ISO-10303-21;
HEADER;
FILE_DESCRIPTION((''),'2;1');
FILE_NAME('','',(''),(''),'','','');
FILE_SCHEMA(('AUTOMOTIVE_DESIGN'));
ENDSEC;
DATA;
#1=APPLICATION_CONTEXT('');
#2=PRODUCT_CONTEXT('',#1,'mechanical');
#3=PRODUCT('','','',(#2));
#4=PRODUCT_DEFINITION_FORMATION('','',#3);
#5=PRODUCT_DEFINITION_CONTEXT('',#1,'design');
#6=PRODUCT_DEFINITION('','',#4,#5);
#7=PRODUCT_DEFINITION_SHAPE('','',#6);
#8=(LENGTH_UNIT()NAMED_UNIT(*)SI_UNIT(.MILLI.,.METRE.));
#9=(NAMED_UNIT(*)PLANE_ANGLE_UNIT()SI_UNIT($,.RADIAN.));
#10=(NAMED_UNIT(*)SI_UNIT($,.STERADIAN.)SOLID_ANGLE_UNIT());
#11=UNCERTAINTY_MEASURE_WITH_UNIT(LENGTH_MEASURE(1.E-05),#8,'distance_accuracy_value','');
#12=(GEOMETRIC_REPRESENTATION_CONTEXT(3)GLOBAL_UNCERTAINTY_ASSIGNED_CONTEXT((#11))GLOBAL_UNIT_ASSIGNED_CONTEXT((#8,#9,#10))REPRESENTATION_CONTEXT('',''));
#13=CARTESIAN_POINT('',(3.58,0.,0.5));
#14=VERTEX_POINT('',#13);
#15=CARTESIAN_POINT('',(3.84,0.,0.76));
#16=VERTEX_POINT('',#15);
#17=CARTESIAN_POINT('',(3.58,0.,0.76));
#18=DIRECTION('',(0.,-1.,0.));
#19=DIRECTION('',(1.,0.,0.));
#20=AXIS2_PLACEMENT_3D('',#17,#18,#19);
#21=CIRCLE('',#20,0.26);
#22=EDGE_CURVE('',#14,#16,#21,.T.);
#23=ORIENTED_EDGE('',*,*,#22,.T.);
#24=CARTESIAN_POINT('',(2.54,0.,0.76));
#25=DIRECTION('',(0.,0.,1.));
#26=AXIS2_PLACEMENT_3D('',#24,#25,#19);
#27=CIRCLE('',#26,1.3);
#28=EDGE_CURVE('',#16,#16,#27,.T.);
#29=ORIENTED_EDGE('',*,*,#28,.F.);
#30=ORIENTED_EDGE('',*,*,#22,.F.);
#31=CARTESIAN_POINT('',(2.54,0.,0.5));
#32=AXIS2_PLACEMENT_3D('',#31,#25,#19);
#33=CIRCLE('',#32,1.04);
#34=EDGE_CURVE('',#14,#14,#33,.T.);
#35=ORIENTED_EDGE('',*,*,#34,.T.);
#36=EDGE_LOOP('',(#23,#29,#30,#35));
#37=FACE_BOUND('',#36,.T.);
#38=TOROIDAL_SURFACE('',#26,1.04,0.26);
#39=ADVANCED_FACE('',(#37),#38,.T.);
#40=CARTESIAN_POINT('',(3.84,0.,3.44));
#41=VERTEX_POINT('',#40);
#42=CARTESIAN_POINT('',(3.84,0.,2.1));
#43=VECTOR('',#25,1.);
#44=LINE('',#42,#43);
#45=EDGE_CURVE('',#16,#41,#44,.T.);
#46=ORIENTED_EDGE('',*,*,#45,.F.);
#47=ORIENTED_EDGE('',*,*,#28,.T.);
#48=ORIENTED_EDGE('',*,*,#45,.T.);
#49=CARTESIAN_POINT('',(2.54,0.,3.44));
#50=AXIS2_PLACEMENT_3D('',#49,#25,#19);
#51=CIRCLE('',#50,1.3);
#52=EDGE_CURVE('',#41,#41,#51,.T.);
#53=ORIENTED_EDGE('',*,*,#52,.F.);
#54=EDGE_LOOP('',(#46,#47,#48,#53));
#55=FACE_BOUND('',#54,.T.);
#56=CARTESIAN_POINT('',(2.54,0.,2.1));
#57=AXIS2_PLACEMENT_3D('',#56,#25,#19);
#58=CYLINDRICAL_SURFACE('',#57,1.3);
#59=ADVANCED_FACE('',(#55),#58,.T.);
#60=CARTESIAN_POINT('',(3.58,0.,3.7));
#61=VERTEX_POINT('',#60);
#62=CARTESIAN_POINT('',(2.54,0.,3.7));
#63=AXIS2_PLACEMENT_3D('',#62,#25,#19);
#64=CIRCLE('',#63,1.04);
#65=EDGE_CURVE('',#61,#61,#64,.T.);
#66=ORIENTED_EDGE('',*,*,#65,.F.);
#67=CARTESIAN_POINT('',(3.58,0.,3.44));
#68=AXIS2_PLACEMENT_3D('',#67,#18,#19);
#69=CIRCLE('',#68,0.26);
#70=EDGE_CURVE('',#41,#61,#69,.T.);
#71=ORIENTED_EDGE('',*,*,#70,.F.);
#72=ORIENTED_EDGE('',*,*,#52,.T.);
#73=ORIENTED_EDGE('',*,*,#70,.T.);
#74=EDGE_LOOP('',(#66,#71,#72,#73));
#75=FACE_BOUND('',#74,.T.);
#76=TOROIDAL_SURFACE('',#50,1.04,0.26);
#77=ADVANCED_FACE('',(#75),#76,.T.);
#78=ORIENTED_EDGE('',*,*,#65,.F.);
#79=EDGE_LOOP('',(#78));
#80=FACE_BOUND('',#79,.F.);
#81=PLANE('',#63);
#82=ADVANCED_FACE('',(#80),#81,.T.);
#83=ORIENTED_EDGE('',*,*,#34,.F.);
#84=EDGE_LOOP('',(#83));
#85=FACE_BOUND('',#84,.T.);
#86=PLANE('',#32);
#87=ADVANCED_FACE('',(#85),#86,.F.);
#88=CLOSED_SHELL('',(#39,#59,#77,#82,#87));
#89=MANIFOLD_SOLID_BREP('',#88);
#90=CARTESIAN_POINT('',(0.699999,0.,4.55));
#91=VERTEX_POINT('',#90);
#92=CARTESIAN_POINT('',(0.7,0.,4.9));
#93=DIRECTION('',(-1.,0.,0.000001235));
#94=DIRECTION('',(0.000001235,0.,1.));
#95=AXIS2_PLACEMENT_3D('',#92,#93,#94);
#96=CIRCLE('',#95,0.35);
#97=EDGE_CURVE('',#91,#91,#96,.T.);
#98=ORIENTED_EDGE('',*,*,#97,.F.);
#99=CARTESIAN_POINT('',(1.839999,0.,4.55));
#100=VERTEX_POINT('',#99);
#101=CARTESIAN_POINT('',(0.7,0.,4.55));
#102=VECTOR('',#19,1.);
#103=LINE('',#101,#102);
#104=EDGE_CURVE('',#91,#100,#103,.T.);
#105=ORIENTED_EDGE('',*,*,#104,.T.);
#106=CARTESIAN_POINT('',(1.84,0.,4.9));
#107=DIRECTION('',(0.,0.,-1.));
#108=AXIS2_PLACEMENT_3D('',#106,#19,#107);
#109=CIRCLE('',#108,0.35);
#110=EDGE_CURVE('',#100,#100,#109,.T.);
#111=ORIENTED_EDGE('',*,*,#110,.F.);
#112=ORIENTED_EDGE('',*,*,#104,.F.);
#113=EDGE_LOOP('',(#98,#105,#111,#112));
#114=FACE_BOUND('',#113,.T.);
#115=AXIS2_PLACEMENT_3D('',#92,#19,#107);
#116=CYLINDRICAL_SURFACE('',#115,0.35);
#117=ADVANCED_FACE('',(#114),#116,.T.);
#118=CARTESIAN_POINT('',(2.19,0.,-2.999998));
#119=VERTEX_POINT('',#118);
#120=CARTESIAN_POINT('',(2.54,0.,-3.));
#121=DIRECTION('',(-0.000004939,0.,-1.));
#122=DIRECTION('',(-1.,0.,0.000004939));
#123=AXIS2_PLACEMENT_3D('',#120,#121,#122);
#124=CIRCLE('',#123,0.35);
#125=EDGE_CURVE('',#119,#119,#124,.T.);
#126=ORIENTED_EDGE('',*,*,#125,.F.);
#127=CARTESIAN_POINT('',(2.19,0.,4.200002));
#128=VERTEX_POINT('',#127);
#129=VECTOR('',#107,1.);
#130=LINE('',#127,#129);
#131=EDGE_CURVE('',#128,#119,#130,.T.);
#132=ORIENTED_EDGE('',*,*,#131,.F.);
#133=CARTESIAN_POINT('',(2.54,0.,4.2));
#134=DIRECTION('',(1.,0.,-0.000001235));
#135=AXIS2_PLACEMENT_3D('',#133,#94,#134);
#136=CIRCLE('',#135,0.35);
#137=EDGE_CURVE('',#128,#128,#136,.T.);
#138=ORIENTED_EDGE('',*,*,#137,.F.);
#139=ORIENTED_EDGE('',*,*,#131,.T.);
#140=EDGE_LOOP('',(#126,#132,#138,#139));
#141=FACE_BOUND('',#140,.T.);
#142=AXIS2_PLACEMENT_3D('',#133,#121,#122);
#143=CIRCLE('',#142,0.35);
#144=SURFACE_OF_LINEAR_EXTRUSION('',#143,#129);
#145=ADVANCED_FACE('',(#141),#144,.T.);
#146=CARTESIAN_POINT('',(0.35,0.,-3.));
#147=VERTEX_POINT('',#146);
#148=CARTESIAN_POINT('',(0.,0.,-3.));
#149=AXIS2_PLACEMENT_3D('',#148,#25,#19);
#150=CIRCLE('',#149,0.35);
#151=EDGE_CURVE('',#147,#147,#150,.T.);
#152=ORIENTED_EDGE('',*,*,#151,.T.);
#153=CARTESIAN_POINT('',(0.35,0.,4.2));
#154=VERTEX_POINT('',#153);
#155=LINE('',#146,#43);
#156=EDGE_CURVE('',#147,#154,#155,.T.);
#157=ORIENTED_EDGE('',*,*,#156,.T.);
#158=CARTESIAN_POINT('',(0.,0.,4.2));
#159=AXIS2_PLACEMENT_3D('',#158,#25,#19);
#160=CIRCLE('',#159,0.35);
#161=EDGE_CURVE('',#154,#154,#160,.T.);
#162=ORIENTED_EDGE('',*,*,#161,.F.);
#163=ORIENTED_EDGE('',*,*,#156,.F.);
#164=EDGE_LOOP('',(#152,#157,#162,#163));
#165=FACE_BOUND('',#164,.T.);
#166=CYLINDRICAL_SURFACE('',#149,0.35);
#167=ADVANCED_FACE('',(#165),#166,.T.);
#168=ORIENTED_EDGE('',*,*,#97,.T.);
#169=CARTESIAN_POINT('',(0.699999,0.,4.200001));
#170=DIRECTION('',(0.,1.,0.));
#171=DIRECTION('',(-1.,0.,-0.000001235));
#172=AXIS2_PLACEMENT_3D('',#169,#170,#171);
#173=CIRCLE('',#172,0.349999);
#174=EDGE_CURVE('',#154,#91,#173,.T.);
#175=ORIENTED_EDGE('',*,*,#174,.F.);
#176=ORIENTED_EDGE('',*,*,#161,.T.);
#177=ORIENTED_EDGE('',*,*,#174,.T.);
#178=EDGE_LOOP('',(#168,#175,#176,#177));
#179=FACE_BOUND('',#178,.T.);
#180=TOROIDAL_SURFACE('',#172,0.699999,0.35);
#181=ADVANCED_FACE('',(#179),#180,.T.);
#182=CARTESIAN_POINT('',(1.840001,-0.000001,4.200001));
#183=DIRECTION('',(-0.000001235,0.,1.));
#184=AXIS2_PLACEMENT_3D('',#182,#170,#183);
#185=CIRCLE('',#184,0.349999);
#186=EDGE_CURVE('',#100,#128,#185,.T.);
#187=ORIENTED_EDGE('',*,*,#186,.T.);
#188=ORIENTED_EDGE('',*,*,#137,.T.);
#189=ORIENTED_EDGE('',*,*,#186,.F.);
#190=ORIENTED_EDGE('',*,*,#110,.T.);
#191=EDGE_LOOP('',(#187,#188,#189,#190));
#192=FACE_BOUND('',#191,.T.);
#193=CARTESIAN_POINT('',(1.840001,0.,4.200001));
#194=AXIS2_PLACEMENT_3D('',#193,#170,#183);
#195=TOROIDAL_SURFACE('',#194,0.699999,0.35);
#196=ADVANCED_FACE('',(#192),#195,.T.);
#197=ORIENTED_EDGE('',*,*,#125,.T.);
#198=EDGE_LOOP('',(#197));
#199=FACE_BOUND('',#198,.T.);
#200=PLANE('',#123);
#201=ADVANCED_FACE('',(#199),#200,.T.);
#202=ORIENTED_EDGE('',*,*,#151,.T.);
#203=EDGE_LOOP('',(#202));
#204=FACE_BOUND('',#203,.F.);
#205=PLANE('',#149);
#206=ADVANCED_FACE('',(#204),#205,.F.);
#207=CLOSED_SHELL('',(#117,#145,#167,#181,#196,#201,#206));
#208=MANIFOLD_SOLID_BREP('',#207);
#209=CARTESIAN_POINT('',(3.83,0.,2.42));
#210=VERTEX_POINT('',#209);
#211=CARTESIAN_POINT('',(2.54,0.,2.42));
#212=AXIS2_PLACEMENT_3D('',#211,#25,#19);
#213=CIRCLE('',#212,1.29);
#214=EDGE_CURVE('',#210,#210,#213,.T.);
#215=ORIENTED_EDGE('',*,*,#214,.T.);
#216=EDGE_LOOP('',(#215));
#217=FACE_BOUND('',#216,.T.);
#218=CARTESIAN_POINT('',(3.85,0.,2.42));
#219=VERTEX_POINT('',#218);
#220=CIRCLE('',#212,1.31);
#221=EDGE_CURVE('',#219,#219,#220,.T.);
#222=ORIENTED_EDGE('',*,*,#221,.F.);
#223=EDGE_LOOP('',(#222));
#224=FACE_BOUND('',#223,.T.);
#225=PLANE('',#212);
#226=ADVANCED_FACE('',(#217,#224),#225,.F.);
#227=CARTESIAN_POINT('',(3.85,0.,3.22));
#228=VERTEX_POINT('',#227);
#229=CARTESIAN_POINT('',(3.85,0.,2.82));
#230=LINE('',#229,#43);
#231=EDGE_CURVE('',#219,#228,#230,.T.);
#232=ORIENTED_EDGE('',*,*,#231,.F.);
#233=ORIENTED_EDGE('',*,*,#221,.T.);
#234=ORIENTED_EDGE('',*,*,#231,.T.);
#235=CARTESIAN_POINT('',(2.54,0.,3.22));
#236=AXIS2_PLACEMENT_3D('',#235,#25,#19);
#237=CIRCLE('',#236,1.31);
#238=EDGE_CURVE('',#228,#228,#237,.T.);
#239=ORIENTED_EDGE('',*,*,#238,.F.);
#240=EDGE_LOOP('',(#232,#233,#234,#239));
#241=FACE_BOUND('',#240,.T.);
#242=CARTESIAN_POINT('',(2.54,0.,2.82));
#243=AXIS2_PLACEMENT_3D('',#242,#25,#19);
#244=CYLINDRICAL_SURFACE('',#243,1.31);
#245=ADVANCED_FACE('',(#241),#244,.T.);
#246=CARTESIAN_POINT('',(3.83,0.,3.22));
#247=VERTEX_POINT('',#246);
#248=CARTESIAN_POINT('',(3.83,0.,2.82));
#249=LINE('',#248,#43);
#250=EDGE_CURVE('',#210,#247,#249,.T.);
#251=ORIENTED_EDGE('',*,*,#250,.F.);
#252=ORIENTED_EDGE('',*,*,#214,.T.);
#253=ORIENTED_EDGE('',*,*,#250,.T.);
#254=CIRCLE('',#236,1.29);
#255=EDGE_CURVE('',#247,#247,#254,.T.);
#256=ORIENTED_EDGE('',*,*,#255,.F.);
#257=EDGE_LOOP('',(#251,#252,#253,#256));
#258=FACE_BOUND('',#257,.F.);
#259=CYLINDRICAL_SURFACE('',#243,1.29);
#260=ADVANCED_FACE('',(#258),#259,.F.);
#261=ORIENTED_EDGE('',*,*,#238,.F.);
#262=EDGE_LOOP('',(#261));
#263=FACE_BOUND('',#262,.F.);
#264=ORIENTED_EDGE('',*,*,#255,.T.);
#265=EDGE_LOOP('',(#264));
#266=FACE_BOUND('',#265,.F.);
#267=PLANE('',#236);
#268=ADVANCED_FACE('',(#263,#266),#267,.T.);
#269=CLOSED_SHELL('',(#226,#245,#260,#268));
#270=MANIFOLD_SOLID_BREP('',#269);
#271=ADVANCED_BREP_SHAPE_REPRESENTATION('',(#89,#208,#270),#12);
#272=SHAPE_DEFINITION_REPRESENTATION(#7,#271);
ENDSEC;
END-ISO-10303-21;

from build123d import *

# Parameters (mm, degrees)
SKETCH001_R = 0.35
SKETCH003_W = 0.02
SKETCH003_H = 0.8
SKETCH002_W = 1.3
SKETCH002_H = 3.2
FILLET_R    = 0.26


with BuildPart() as sweep_body:
    # Sweep: sweep along a path in Sketch
    with BuildLine(Plane.XZ) as sweep_path:
        Line((0, -3), (0, 4.2))
        ThreePointArc((0, 4.2), (0.205025, 4.694975), (0.7, 4.9))
        Line((0.7, 4.9), (1.84, 4.9))
        ThreePointArc((1.84, 4.9), (2.334975, 4.694975), (2.54, 4.2))
        Line((2.54, 4.2), (2.54, -3))
    # Sketch001 → Sweep (sweep)
    with BuildSketch(Plane.XY):
        Circle(SKETCH001_R)
    sweep(path=sweep_path.line)


with BuildPart() as revolution001:
    # Sketch003 → Revolution001 (revolve)
    with BuildSketch(Plane.XZ):
        with Locations((3.84, 2.82)):
            Rectangle(SKETCH003_W, SKETCH003_H)
    revolve(axis=Axis((2.54, 0, 5.9), (0, 0, 1)))


with BuildPart() as fillet_body:
    # Sketch002 → Revolution (revolve)
    with BuildSketch(Plane.XZ):
        with Locations((3.19, 2.1)):
            Rectangle(SKETCH002_W, SKETCH002_H)
    revolve(axis=Axis((2.54, 0, 0.5), (0, 0, 1)))

    # Fillet
    fillet_edges = [fillet_body.edges().sort_by_distance(p)[0] for p in [
        (1.24, 0, 3.7),
        (1.24, 0, 0.5),
    ]]
    fillet(fillet_edges, radius=FILLET_R)


solid = Compound([sweep_body.part, revolution001.part, fillet_body.part])
